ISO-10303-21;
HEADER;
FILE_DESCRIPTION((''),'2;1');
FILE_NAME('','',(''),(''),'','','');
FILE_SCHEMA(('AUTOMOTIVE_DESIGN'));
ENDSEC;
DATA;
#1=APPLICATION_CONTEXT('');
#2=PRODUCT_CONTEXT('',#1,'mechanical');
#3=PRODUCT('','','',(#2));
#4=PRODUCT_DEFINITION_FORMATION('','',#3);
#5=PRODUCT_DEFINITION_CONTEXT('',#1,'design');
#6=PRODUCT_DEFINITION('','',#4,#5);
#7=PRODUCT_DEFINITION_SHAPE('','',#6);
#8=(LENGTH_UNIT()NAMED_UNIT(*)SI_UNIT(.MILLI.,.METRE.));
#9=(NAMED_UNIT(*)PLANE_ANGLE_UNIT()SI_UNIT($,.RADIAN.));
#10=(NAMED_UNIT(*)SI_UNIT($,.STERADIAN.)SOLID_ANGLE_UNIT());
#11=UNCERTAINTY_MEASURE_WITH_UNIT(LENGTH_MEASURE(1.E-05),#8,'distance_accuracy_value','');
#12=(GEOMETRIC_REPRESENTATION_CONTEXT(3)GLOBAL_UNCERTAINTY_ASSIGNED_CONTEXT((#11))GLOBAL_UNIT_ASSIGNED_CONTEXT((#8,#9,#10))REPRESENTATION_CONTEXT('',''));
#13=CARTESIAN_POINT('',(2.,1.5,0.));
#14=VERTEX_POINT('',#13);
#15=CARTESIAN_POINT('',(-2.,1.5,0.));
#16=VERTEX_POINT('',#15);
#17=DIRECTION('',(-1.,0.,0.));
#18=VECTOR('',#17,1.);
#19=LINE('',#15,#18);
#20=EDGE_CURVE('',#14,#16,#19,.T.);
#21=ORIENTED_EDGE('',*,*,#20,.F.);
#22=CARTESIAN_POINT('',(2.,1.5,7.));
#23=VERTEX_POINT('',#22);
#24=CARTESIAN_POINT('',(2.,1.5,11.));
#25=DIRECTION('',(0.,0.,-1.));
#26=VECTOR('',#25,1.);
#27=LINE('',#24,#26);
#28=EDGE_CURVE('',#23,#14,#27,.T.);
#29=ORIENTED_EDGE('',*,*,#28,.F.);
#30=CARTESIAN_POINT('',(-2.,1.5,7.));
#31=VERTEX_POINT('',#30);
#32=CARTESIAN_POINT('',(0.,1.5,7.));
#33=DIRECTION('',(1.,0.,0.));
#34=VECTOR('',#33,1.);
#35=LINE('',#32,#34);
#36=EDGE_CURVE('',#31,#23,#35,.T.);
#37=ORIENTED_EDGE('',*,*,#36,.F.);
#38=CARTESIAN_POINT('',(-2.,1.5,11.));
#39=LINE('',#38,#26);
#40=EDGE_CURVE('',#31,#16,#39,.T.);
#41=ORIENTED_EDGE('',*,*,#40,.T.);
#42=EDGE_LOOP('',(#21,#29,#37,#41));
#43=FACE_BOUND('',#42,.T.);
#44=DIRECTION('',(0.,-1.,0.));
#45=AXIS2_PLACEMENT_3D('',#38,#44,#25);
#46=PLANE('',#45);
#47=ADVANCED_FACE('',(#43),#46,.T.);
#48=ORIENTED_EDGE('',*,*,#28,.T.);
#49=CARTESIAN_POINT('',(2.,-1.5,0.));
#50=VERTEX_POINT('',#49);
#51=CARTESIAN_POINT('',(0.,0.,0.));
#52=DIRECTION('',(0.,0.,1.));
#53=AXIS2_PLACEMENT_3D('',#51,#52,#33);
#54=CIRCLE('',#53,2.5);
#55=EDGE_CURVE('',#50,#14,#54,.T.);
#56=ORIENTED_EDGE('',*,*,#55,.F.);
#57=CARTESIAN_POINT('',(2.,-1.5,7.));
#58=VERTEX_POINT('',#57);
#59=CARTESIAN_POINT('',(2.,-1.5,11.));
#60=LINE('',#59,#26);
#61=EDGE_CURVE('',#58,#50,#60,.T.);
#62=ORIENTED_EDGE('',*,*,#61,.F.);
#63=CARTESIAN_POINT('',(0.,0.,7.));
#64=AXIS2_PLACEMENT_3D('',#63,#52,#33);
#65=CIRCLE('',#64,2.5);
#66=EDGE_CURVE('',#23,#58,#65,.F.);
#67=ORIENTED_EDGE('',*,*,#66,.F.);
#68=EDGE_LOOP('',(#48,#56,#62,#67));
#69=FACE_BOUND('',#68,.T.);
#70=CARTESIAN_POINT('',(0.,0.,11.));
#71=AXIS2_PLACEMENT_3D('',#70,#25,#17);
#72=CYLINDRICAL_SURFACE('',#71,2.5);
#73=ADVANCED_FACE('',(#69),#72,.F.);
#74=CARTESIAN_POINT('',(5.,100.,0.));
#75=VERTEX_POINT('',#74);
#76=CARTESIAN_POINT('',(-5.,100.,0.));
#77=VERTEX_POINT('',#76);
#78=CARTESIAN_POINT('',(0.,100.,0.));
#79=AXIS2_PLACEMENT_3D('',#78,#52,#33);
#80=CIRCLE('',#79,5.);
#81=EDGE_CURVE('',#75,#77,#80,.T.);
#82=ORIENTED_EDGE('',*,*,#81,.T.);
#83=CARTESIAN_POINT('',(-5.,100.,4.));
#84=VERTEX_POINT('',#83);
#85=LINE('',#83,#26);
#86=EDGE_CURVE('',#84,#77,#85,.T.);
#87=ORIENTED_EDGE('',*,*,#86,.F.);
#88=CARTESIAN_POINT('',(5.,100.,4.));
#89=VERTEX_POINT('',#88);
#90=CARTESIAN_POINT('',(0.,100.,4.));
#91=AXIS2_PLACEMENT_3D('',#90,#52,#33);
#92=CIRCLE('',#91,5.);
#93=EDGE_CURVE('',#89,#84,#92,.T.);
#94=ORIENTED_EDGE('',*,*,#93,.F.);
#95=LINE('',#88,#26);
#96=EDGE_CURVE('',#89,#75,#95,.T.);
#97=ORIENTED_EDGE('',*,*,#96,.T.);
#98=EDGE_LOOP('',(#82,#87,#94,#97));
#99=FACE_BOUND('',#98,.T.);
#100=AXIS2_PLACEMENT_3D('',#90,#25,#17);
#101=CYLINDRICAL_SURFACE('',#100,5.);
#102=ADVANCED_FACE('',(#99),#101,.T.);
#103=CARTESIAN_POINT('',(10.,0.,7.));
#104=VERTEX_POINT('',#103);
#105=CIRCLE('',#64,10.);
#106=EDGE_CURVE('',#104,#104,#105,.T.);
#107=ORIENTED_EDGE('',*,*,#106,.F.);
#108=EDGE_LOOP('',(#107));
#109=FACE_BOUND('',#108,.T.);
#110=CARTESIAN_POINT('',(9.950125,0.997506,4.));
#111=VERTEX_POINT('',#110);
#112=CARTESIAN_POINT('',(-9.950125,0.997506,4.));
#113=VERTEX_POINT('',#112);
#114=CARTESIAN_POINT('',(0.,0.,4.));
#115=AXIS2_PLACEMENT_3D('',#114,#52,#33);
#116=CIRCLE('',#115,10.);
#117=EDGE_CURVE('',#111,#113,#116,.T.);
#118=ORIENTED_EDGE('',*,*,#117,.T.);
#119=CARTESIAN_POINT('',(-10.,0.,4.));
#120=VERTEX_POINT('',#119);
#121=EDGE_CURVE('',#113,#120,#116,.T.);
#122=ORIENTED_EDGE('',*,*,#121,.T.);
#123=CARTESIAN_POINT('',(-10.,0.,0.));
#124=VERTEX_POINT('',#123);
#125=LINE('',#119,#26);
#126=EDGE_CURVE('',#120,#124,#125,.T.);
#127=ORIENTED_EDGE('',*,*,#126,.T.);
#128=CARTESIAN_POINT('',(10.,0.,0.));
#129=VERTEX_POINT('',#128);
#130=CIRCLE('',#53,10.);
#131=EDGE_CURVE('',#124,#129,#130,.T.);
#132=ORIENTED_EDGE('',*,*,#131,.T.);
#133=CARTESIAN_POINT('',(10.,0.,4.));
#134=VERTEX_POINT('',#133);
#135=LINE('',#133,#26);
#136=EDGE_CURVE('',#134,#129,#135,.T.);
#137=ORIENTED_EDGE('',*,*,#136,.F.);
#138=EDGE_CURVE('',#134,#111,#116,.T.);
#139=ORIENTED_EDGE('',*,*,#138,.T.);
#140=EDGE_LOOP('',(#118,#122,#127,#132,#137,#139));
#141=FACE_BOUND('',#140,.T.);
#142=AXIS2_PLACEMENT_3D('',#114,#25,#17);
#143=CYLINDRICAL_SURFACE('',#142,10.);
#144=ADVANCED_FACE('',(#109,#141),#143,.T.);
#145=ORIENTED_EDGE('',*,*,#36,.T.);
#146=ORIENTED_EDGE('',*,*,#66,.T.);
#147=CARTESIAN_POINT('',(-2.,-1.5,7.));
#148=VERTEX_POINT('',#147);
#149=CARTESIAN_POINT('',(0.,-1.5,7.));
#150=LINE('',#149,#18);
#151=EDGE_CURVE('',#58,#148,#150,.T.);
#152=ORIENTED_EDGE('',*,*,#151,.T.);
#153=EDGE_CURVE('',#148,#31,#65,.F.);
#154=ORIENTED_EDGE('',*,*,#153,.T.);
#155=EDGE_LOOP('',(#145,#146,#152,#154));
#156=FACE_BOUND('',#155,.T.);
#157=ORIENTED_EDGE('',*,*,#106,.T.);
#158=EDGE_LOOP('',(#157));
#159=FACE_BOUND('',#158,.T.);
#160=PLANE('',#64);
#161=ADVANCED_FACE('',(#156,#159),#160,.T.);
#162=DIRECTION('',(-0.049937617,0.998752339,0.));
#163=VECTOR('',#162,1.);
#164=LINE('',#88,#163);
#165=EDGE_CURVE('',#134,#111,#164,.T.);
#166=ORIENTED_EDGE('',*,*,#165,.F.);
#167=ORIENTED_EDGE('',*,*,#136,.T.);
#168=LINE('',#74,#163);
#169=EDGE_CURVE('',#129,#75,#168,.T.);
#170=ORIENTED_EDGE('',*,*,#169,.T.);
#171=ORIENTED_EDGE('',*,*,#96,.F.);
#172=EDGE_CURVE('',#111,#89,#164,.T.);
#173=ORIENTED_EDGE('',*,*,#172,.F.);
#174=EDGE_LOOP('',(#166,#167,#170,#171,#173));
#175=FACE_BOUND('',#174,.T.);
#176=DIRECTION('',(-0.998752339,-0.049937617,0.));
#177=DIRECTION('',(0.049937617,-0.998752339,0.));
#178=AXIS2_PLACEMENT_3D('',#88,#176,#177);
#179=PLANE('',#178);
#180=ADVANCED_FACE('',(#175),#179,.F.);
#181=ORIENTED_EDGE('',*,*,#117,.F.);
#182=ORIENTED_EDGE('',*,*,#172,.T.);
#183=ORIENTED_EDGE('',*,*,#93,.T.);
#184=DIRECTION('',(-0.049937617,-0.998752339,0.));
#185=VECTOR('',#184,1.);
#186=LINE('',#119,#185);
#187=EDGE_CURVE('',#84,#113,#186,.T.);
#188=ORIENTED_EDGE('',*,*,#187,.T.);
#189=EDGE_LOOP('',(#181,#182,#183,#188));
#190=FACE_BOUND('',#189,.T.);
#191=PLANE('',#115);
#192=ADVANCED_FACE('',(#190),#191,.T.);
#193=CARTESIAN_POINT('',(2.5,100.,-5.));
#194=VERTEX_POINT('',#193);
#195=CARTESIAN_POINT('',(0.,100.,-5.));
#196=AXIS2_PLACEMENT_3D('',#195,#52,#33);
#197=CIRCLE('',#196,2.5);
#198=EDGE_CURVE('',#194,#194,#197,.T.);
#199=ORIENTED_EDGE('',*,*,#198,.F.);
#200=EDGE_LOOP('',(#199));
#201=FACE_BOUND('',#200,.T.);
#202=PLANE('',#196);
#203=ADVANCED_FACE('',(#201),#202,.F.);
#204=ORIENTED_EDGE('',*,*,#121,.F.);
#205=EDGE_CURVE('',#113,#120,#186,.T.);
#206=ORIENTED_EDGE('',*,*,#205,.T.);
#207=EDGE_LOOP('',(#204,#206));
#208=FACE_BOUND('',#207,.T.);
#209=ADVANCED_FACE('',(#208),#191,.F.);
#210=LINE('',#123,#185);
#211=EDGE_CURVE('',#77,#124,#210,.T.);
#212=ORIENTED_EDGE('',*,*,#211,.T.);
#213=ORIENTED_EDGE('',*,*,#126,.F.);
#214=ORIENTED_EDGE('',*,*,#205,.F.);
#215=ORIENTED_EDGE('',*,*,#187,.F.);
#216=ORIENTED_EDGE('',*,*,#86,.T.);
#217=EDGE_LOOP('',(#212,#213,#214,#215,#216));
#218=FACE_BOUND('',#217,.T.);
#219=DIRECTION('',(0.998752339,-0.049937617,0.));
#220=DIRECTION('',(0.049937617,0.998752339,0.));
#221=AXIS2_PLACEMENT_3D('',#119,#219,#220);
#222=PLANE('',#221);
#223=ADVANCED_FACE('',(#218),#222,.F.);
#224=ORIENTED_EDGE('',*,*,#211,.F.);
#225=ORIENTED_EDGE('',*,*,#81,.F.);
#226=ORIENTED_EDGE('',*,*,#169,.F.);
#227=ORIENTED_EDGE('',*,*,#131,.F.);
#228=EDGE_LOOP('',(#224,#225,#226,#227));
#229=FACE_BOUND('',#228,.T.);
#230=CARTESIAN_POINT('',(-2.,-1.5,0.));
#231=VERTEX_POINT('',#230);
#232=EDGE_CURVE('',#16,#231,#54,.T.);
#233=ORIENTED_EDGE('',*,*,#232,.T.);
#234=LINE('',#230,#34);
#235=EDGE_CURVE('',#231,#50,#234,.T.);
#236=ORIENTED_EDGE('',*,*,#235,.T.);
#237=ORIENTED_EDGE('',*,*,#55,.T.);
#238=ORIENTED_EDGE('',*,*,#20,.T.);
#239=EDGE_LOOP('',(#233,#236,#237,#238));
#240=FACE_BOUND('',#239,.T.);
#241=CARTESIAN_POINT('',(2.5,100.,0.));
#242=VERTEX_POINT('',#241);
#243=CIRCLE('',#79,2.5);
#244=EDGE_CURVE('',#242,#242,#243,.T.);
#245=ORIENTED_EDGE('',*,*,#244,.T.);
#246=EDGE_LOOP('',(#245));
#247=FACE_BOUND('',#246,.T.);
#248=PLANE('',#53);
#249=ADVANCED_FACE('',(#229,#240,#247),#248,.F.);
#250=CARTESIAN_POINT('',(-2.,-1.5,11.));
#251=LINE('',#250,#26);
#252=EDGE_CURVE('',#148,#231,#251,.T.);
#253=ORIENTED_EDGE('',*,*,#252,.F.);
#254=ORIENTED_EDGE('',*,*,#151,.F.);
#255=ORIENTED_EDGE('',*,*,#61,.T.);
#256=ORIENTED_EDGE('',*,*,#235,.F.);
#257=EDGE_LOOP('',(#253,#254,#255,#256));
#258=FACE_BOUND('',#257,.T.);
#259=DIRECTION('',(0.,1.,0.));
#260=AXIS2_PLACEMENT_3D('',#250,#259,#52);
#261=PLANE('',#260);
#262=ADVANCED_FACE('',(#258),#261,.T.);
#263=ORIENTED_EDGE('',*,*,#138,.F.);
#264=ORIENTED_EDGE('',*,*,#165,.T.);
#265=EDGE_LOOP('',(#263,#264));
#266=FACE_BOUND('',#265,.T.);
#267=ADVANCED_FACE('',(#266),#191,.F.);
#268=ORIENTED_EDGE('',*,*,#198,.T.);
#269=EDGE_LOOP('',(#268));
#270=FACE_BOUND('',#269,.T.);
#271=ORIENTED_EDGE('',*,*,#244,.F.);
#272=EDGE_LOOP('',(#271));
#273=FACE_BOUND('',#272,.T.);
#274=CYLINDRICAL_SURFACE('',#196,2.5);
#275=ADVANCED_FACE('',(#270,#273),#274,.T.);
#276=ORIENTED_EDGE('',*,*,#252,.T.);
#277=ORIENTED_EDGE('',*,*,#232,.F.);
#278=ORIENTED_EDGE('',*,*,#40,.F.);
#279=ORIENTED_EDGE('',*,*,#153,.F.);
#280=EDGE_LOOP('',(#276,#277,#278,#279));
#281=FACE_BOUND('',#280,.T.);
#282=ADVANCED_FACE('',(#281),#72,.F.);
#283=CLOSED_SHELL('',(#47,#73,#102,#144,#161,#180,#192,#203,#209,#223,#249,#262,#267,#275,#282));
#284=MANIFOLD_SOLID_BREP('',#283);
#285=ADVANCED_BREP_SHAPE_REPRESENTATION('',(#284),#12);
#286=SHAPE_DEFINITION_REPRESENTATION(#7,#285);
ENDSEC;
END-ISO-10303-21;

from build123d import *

# Parameters (mm, degrees)
BOSS_EXTRUDE1_DEPTH = 4
SKETCH4_R           = 10
BOSS_EXTRUDE2_DEPTH = 3
CUT_EXTRUDE3_DEPTH  = 11
SKETCH5_R           = 2.5
BOSS_EXTRUDE4_DEPTH = 9


with BuildPart() as part:
    # Sketch3 → Boss-Extrude1 (new body)
    with BuildSketch(Plane.XY):
        with BuildLine():
            Line((-10, 0), (-5, 100))
            ThreePointArc((-5, 100), (0, 105), (5, 100))
            Line((5, 100), (10, 0))
            ThreePointArc((10, 0), (0, -10), (-10, 0))
        make_face()
    extrude(amount=BOSS_EXTRUDE1_DEPTH)

    # Sketch4 → Boss-Extrude2 (add)
    with BuildSketch(Plane.XY.offset(4)):
        Circle(SKETCH4_R)
    extrude(amount=BOSS_EXTRUDE2_DEPTH)

    # Sketch2 → Cut-Extrude3 (cut)
    with BuildSketch(Plane.XY):
        with BuildLine():
            Line((-2, -1.5), (2, -1.5))
            ThreePointArc((2, -1.5), (2.5, 0), (2, 1.5))
            Line((2, 1.5), (-2, 1.5))
            ThreePointArc((-2, 1.5), (-2.5, 0), (-2, -1.5))
        make_face()
    extrude(amount=CUT_EXTRUDE3_DEPTH, mode=Mode.SUBTRACT)

    # Sketch5 → Boss-Extrude4 (add)
    with BuildSketch(Plane.XY.offset(4)):
        with Locations((0, 100)):
            Circle(SKETCH5_R)
    extrude(amount=-BOSS_EXTRUDE4_DEPTH)


solid = part.part
